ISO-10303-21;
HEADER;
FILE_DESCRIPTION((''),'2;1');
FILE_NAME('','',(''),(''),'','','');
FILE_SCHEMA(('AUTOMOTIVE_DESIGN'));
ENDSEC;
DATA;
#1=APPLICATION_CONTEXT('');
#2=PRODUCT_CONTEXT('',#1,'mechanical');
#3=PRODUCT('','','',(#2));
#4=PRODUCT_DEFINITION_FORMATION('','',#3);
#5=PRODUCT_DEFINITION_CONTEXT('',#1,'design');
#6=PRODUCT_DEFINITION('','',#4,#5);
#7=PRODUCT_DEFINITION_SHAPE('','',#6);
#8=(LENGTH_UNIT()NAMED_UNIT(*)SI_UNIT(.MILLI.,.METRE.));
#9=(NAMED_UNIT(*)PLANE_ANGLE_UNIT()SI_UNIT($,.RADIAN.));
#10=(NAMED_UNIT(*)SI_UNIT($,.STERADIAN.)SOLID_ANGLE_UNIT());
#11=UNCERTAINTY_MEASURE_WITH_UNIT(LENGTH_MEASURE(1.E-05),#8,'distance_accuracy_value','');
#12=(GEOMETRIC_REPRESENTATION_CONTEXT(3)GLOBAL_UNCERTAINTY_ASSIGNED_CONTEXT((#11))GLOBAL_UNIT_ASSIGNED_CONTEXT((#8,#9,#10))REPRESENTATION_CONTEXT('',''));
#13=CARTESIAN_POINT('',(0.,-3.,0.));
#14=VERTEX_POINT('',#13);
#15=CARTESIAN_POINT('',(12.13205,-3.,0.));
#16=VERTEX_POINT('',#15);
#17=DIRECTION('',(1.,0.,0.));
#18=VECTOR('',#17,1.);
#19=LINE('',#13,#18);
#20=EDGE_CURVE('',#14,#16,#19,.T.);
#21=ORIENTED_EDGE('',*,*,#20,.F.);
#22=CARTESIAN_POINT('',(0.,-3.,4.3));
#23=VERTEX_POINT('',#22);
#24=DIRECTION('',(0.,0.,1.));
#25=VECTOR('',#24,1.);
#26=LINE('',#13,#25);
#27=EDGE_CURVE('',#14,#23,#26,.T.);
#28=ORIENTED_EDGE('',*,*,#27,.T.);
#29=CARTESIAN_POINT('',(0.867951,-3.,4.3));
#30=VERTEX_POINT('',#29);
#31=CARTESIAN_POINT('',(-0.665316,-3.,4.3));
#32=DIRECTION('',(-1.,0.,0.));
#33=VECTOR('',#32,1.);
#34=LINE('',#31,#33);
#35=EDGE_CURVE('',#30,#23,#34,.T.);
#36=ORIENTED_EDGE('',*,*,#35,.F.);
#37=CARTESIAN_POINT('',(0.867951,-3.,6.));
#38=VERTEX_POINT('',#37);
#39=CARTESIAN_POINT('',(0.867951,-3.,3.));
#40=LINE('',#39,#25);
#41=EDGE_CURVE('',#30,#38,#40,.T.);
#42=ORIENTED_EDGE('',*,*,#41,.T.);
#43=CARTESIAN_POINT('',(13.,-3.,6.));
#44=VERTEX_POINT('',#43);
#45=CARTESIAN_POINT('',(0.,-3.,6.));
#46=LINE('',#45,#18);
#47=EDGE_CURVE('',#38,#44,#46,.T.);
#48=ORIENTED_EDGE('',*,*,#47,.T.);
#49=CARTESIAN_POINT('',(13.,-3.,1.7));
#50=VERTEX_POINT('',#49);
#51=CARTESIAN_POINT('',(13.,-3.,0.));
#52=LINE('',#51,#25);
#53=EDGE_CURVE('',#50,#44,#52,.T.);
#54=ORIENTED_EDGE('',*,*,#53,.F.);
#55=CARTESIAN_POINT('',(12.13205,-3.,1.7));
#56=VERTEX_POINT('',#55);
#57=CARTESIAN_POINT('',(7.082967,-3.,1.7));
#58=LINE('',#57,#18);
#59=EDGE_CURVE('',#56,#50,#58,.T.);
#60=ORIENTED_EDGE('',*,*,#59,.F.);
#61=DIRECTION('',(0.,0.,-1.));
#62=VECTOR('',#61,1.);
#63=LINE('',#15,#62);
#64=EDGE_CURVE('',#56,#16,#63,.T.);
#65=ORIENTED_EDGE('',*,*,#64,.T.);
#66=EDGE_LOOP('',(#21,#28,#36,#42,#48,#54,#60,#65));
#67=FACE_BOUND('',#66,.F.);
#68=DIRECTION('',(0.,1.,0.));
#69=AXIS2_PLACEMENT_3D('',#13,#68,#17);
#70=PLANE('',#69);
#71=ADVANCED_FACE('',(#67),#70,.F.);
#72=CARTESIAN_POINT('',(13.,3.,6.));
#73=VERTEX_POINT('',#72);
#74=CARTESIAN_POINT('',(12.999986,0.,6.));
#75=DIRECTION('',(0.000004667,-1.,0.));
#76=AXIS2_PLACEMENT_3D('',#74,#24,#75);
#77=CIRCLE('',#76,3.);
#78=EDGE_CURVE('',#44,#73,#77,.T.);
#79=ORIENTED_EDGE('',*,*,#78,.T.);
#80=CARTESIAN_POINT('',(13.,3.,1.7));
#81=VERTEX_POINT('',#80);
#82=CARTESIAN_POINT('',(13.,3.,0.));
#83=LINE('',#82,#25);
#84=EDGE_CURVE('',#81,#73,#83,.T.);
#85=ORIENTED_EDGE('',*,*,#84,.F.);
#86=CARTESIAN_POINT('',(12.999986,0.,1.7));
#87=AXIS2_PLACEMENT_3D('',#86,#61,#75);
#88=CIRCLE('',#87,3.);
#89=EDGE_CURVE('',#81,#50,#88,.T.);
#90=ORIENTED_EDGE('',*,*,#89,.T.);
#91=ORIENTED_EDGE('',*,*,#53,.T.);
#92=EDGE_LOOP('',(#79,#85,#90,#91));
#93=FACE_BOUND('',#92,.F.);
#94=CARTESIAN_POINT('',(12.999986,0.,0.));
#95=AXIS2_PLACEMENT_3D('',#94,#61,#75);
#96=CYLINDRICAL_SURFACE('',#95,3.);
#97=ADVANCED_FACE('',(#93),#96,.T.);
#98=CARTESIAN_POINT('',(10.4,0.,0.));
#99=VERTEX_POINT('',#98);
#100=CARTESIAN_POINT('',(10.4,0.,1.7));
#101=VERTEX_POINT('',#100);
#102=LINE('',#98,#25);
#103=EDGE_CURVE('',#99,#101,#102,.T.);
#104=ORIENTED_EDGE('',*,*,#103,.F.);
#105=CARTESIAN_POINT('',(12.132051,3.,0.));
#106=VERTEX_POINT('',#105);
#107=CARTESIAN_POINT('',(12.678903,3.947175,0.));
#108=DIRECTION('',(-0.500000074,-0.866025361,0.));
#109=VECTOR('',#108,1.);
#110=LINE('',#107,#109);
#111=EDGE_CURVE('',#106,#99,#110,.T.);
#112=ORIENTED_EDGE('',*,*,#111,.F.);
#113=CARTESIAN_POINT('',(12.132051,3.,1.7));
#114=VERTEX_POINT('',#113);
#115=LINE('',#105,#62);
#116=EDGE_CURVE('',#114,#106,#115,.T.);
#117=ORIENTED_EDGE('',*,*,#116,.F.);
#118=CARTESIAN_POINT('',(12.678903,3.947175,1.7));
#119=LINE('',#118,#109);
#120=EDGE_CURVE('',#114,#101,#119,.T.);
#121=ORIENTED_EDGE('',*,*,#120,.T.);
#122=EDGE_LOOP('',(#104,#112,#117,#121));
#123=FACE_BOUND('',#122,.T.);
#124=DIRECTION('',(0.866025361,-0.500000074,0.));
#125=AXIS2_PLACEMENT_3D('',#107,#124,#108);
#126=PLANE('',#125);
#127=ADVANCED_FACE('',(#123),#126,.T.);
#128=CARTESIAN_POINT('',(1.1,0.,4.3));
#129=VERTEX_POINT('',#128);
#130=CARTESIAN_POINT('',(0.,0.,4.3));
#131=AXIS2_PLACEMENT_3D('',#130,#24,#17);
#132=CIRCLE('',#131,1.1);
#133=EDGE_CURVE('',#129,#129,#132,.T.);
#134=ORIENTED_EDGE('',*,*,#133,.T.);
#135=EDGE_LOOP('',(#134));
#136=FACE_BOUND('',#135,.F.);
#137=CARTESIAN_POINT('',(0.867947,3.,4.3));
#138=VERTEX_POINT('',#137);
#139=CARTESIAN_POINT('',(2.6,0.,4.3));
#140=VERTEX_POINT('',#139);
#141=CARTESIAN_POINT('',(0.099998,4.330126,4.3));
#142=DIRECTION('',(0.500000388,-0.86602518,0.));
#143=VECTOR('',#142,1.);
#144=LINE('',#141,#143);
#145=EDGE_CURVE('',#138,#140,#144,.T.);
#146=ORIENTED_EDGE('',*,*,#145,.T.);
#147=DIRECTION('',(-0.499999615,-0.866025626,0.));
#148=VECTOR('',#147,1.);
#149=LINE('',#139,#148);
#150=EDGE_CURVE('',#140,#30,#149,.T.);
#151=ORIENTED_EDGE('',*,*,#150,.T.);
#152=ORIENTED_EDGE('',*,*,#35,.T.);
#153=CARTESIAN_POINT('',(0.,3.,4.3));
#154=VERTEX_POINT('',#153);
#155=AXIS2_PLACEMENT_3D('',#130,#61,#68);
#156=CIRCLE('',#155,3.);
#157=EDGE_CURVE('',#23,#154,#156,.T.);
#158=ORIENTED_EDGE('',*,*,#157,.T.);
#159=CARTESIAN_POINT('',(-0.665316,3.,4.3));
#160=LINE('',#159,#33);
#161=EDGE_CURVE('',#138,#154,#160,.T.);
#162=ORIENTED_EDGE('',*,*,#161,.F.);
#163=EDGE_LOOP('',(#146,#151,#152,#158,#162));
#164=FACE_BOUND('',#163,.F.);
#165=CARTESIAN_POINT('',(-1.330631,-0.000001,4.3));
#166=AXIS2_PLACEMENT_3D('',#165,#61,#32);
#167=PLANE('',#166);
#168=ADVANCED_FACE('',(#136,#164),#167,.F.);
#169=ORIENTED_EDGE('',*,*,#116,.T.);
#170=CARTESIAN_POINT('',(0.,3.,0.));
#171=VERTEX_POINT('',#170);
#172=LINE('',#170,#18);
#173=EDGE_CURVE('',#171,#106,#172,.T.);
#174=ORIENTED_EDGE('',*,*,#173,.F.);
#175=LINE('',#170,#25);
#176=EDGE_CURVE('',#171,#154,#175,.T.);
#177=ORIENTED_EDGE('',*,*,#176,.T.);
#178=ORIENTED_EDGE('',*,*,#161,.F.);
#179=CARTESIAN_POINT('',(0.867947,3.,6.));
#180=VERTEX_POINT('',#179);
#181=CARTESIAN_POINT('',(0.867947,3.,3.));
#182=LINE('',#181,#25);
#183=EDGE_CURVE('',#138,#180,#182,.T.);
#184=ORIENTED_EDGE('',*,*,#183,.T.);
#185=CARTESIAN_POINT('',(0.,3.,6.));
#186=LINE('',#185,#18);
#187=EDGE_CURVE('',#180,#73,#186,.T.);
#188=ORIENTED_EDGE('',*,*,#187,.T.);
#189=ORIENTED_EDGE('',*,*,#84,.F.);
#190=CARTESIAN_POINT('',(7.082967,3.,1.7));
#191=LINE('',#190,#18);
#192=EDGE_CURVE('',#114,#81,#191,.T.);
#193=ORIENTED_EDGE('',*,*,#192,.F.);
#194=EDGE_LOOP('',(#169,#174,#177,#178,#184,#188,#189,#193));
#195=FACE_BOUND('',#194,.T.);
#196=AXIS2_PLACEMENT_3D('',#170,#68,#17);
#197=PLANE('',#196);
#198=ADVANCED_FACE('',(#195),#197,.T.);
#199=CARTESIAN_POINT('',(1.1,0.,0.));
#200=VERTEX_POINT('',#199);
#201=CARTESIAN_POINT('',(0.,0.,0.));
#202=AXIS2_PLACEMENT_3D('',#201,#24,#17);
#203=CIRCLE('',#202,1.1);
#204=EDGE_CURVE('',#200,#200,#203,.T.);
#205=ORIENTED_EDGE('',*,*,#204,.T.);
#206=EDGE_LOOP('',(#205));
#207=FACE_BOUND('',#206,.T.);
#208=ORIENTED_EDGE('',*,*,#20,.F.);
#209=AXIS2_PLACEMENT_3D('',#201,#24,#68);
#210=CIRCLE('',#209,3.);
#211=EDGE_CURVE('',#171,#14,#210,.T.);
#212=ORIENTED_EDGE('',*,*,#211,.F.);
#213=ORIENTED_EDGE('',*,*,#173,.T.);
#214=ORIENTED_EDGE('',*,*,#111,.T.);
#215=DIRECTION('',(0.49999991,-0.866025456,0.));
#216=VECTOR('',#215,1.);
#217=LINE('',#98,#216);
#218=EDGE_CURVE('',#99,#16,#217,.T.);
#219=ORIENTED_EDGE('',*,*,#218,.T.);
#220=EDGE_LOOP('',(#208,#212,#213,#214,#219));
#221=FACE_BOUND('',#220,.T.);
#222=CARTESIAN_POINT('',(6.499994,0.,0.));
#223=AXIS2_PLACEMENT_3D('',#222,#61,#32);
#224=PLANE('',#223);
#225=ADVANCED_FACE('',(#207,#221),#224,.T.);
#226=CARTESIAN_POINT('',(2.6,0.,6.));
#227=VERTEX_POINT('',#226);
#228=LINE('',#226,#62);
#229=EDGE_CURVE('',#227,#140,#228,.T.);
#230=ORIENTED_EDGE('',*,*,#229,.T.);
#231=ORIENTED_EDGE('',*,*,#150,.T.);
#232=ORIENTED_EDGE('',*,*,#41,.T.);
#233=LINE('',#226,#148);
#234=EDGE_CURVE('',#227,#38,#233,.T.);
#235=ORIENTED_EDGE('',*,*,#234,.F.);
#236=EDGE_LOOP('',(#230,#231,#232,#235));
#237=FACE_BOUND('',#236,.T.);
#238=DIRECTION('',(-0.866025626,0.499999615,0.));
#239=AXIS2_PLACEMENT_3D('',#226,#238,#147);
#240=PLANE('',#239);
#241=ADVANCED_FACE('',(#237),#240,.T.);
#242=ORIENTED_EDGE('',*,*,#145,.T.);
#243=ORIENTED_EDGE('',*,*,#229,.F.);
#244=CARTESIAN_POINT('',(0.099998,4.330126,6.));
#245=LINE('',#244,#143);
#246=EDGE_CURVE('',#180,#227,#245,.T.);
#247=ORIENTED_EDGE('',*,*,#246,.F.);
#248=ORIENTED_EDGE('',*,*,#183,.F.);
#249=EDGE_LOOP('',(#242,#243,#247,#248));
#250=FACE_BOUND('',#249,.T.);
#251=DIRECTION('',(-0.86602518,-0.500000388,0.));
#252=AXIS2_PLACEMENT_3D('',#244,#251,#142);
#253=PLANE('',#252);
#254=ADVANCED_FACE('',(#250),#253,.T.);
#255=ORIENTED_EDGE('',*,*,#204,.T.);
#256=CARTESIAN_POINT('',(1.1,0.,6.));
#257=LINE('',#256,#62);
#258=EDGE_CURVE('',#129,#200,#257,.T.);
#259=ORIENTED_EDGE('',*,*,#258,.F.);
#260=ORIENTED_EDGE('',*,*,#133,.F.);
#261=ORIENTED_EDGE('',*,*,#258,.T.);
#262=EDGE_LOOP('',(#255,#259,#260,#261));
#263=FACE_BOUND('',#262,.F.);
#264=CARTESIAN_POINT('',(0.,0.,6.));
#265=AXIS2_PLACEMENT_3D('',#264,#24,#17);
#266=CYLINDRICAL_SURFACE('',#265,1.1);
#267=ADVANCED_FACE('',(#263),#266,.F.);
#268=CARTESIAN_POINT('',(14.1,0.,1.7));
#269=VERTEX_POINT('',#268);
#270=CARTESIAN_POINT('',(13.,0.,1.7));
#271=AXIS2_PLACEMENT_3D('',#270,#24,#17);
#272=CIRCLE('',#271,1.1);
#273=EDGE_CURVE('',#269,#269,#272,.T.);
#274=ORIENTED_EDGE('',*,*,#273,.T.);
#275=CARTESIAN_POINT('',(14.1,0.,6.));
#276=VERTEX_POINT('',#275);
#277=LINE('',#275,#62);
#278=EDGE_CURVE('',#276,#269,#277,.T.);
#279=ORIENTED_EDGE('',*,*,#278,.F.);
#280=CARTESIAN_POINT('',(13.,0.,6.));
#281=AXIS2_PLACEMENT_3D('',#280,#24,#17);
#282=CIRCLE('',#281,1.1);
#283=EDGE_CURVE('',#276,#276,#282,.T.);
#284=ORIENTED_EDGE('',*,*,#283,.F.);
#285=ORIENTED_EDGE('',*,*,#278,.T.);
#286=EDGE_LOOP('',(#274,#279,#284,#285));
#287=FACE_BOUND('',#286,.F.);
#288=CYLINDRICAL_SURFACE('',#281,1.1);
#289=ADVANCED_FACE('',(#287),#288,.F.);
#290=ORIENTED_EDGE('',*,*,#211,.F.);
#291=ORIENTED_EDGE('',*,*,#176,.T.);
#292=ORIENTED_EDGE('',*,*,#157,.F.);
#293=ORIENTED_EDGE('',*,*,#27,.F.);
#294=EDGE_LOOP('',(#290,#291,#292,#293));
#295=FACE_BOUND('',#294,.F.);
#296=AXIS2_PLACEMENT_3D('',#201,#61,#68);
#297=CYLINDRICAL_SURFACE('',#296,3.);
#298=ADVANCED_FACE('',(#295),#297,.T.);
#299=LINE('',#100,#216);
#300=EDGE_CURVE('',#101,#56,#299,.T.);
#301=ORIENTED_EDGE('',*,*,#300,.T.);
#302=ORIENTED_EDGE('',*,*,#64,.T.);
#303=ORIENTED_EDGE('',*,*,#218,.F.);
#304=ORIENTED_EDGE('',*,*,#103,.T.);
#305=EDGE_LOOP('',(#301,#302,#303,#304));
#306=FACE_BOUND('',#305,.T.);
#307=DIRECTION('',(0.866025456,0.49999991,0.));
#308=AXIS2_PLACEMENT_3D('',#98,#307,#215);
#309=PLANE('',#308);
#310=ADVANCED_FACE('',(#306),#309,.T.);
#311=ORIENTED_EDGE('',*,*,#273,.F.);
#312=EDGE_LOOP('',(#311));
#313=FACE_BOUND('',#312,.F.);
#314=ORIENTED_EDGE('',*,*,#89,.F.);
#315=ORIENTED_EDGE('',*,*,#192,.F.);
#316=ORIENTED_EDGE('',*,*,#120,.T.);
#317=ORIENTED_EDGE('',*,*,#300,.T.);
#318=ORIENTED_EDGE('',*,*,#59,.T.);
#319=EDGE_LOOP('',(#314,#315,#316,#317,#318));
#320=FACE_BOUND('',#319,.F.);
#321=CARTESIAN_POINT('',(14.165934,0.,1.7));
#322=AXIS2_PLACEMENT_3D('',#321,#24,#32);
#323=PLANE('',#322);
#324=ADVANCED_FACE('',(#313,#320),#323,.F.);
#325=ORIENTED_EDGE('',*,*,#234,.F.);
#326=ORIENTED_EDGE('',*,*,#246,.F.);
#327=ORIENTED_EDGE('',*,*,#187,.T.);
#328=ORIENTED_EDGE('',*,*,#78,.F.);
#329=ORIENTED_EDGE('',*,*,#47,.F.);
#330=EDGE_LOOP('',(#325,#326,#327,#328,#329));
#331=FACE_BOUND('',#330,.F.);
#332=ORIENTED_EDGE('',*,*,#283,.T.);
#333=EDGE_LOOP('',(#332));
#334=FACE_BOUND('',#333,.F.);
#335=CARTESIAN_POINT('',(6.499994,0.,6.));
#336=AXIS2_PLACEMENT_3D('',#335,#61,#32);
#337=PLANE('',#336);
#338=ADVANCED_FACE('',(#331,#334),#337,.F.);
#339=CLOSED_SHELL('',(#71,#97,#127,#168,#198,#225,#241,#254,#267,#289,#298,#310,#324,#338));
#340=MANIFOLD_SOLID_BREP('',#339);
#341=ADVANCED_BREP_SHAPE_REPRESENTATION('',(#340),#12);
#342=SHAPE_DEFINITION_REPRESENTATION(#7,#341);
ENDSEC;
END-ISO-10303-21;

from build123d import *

# Parameters (mm, degrees)
PAD_DEPTH       = 6
SKETCH002_R     = 1.1
POCKET_DEPTH    = 6.001
POCKET001_DEPTH = 1.7
POCKET002_DEPTH = 1.7


with BuildPart() as part:
    # Sketch → Pad (new body)
    with BuildSketch(Plane.XY):
        with BuildLine():
            Line((0, 3), (13, 3))
            ThreePointArc((13, -3), (15.999986, 0), (13, 3))
            Line((0, -3), (13, -3))
            ThreePointArc((0, 3), (-3, 0), (0, -3))
        make_face()
    extrude(amount=PAD_DEPTH)

    # Sketch002 → Pocket (cut, through all)
    with BuildSketch(Plane.XY.offset(6)):
        Circle(SKETCH002_R)
        with Locations((13, 0)):
            Circle(SKETCH002_R)
    extrude(amount=-POCKET_DEPTH, mode=Mode.SUBTRACT)

    # Sketch003 → Pocket001 (cut)
    with BuildSketch(Plane.XY.offset(6)):
        Polygon((2.6, 0), (0.100002, -4.330128), (-3.899998, -4.330128), (-3.899998, 4.330126), (0.099998, 4.330126), align=None)
    extrude(amount=-POCKET001_DEPTH, mode=Mode.SUBTRACT)

    # Sketch004 → Pocket002 (cut)
    with BuildSketch(Plane(origin=(0, 0, 0), x_dir=(1, 0, 0), z_dir=(0, 0, -1))):
        Polygon((10.4, 0), (12.678902, 3.947175), (16.678902, 3.947175), (16.678902, -3.947175), (12.678903, -3.947175), align=None)
    extrude(amount=-POCKET002_DEPTH, mode=Mode.SUBTRACT)


solid = part.part
